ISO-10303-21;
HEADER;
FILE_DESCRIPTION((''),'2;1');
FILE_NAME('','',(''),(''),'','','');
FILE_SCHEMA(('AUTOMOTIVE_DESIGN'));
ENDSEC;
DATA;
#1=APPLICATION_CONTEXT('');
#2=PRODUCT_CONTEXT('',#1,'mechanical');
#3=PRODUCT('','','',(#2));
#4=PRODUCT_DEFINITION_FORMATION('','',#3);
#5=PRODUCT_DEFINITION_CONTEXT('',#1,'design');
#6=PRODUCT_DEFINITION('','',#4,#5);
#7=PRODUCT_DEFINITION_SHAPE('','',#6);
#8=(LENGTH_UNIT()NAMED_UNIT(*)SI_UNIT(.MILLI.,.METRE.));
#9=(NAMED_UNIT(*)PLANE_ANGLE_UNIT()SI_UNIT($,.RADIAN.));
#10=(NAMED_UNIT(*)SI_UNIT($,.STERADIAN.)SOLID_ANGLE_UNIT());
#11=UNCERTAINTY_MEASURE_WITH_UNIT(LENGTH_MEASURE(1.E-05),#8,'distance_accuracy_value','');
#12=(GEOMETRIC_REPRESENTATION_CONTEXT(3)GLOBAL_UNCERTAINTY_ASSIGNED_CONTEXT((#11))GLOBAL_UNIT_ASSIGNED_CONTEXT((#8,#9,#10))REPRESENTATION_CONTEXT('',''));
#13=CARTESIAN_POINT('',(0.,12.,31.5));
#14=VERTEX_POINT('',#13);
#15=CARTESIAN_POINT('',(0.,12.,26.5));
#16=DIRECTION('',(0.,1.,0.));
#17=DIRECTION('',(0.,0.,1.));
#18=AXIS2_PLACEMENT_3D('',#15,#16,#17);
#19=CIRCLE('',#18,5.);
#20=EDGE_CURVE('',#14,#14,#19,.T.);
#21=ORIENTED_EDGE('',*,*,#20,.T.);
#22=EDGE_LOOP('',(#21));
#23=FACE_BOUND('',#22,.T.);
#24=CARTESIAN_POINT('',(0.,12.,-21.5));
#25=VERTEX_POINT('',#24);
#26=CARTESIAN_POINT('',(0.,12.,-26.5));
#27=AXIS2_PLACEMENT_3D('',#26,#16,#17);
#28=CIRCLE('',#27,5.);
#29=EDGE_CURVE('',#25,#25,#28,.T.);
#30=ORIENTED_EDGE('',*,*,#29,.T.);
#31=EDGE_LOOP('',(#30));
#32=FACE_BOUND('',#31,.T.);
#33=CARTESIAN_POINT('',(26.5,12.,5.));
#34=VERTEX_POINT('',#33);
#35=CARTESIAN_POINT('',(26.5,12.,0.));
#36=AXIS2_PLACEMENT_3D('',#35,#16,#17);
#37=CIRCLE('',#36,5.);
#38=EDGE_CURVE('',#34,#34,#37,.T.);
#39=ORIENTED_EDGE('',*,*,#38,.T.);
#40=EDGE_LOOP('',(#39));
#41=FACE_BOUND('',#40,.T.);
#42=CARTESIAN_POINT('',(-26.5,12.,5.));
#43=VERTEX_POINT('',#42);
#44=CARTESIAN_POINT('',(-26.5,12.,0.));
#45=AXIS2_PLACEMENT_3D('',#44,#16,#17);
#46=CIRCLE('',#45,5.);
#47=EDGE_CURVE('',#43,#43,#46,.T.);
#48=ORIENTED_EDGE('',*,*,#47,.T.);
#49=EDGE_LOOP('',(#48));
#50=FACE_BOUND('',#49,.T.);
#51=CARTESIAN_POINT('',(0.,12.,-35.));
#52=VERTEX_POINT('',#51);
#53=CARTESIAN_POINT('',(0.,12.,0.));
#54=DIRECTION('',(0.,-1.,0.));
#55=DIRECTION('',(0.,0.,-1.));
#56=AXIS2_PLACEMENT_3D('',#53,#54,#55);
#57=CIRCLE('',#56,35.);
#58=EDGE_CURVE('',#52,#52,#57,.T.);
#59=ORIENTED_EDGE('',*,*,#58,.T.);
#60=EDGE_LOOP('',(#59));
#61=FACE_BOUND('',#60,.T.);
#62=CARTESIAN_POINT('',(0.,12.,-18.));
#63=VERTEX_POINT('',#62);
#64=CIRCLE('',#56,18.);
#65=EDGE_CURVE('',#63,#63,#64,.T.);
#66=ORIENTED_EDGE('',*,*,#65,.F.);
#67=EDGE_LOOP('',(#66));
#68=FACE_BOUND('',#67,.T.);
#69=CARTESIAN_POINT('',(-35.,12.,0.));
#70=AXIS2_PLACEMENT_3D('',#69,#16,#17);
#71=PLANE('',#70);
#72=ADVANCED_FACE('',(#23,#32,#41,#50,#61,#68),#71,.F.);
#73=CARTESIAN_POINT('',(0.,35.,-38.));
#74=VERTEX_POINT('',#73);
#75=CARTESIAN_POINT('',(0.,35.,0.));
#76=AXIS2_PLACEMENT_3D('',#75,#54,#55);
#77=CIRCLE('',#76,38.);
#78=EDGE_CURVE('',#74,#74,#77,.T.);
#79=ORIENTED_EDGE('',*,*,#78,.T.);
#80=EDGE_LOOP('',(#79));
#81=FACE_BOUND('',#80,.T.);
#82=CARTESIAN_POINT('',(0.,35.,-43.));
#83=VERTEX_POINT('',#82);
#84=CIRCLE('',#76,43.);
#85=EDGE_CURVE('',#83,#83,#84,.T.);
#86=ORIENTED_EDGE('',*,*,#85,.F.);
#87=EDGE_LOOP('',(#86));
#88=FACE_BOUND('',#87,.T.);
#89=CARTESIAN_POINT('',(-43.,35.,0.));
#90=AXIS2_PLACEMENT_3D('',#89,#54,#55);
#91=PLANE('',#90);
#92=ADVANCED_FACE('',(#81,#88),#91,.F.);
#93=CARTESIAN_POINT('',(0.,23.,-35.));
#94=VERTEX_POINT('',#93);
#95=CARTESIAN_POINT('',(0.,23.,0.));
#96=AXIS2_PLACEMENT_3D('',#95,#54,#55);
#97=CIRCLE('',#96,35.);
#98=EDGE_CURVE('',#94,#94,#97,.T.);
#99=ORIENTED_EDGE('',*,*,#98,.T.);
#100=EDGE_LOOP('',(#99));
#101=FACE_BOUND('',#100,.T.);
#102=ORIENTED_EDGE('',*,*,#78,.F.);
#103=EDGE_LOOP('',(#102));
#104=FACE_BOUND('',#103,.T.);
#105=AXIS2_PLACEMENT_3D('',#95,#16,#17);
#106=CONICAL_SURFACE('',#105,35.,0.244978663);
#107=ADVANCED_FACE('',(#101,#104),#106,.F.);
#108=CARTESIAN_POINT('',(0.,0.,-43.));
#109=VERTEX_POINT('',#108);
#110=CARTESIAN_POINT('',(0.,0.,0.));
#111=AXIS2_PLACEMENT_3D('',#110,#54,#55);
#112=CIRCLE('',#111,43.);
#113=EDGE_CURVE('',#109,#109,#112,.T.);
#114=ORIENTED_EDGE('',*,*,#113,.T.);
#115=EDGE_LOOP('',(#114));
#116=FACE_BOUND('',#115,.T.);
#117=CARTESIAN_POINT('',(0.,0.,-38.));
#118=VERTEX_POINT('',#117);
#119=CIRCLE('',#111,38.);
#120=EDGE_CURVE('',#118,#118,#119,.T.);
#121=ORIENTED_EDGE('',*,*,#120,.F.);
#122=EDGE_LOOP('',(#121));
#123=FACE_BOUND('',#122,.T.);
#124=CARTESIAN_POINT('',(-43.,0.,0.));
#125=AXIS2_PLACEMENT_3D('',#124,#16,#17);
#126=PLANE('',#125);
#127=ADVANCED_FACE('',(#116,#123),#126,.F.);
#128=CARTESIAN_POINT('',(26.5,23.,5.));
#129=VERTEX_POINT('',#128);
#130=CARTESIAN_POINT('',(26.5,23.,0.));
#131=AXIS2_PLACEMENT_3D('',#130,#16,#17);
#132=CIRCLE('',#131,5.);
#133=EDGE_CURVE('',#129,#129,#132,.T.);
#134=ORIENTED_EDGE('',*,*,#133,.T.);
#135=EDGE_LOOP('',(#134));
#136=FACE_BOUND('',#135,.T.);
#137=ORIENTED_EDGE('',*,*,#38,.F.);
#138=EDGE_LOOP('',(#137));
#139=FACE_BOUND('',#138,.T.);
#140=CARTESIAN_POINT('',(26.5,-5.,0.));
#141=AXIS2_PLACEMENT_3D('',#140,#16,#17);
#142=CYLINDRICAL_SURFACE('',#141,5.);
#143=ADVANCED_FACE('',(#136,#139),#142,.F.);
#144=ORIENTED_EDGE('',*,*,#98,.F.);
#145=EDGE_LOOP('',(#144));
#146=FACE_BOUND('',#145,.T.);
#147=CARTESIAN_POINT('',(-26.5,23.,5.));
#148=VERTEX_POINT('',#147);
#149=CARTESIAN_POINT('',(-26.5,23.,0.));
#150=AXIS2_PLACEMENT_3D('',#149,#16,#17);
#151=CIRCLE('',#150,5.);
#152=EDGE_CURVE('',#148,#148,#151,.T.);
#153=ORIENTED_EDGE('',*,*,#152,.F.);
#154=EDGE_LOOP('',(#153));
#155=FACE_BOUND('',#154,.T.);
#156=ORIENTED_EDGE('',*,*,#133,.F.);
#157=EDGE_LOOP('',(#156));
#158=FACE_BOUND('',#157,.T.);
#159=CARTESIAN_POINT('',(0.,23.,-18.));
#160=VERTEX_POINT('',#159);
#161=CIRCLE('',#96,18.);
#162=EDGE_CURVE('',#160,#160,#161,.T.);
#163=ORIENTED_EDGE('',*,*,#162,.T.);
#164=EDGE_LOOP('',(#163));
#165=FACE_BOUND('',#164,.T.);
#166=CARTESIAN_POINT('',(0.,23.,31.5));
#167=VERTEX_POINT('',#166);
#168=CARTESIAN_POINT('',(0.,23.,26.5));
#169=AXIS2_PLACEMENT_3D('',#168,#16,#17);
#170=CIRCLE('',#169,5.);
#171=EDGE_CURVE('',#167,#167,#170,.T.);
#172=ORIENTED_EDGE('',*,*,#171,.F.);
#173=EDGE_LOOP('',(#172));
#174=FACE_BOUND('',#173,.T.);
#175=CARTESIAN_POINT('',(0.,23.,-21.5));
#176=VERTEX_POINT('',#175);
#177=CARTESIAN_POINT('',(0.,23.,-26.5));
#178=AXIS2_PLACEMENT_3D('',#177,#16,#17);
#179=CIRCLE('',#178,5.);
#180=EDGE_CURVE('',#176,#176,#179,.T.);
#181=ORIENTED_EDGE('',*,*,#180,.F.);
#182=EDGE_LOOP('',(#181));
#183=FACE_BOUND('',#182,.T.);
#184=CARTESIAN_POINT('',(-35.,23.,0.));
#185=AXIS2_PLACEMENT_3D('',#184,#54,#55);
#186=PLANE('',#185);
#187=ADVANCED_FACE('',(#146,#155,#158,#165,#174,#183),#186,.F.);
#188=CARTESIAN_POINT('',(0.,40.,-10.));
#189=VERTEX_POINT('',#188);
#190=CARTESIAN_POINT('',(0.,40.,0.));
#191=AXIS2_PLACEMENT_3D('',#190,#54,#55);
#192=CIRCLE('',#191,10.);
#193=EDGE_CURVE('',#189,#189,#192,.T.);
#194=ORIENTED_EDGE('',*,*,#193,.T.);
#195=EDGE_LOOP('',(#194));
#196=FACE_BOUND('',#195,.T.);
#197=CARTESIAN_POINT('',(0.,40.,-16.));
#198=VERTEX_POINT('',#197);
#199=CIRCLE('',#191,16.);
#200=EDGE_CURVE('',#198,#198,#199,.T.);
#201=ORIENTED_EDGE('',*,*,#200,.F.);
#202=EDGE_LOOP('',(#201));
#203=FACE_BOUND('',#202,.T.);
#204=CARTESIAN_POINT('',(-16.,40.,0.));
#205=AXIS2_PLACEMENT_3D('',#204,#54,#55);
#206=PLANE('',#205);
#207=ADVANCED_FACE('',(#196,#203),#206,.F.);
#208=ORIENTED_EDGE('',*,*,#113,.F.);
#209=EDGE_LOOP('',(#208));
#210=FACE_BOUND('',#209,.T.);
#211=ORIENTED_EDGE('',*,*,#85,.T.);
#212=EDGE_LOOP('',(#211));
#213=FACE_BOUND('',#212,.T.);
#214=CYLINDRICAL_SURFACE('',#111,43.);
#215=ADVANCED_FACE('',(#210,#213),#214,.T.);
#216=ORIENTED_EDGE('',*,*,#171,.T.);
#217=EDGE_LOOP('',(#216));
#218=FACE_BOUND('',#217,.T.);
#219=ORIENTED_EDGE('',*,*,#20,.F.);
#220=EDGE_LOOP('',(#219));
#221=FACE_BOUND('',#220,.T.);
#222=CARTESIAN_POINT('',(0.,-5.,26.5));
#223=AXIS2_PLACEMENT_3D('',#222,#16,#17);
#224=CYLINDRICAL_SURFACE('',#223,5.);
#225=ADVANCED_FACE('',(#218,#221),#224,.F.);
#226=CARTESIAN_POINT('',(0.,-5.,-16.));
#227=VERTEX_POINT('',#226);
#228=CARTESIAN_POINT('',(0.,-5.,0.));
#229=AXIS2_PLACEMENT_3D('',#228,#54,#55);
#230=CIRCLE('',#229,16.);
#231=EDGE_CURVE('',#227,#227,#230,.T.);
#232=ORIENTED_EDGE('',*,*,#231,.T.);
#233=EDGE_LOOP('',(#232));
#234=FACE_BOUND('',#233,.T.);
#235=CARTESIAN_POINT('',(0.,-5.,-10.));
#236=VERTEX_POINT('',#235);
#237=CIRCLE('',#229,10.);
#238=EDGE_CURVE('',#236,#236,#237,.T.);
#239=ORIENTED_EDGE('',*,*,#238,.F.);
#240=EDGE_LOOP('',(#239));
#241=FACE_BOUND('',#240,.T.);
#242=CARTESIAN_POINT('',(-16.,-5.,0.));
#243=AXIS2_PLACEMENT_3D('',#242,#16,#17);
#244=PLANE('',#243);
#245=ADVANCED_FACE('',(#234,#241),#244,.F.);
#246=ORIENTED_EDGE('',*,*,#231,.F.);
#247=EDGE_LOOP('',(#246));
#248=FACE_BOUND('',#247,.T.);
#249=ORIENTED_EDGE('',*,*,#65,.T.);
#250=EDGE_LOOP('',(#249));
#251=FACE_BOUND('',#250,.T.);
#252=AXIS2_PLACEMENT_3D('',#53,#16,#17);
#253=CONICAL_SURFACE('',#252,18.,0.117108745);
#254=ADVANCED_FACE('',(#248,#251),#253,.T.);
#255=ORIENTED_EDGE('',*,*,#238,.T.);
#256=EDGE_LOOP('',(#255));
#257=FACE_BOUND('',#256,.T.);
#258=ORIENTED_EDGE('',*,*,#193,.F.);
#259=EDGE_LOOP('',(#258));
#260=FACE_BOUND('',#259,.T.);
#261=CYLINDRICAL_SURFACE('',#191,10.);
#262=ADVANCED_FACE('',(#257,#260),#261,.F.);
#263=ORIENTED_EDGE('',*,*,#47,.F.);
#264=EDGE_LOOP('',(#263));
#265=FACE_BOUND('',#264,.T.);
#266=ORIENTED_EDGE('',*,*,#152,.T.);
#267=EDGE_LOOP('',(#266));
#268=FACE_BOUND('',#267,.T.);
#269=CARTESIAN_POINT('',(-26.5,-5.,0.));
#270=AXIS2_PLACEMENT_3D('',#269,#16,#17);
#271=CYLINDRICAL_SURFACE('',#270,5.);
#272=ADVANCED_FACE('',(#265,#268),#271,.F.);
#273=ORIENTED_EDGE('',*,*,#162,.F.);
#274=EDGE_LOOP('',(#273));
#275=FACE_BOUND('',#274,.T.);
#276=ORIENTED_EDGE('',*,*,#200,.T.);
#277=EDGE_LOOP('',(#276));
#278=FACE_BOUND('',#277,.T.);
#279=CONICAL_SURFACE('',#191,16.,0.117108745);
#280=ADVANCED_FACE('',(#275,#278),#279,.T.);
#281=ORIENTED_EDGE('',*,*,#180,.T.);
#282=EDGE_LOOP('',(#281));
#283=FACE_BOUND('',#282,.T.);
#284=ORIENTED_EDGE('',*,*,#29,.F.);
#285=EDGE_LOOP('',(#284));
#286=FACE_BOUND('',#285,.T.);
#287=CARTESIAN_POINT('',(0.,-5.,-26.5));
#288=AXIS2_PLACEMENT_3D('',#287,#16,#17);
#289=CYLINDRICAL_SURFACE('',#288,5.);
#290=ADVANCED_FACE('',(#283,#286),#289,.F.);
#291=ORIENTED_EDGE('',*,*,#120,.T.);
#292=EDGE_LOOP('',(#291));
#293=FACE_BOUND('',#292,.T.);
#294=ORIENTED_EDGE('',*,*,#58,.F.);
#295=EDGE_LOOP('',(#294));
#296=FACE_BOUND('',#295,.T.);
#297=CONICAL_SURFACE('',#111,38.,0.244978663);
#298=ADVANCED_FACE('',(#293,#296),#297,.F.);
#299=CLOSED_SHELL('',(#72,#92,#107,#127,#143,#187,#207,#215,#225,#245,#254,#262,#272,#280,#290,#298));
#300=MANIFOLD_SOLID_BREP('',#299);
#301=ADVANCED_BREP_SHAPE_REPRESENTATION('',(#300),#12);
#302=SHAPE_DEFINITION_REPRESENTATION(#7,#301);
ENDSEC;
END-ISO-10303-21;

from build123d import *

# Parameters (mm, degrees)
SKETCH2_R          = 10
CUT_EXTRUDE1_DEPTH = 46
SKETCH3_R          = 5
CUT_EXTRUDE2_DEPTH = 29


with BuildPart() as part:
    # Sketch1 → Revolve1 (revolve)
    with BuildSketch(Plane(origin=(0, 0, 0), x_dir=(0, 1, 0), z_dir=(0, 0, 1))):
        Polygon((0, 0), (35, 0), (40, 0), (40, 16), (23, 18), (23, 35), (35, 38), (35, 43), (0, 43), (0, 38), (12, 35), (12, 18), (-5, 16), (-5, 0), align=None)
    revolve(axis=Axis((0, 0, 0), (0, 1, 0)))

    # Sketch2 → Cut-Extrude1 (cut, through all)
    with BuildSketch(Plane.XZ.offset(5)):
        Circle(SKETCH2_R)
    extrude(amount=-CUT_EXTRUDE1_DEPTH, mode=Mode.SUBTRACT)

    # Sketch3 → Cut-Extrude2 (cut, through all)
    with BuildSketch(Plane(origin=(0, 23, 0), x_dir=(-1, 0, 0), z_dir=(0, 1, 0))):
        with Locations((0, 26.5)):
            Circle(SKETCH3_R)
        with Locations((26.5, 0)):
            Circle(SKETCH3_R)
        with Locations((0, -26.5)):
            Circle(SKETCH3_R)
        with Locations((-26.5, 0)):
            Circle(SKETCH3_R)
    extrude(amount=-CUT_EXTRUDE2_DEPTH, mode=Mode.SUBTRACT)


solid = part.part
